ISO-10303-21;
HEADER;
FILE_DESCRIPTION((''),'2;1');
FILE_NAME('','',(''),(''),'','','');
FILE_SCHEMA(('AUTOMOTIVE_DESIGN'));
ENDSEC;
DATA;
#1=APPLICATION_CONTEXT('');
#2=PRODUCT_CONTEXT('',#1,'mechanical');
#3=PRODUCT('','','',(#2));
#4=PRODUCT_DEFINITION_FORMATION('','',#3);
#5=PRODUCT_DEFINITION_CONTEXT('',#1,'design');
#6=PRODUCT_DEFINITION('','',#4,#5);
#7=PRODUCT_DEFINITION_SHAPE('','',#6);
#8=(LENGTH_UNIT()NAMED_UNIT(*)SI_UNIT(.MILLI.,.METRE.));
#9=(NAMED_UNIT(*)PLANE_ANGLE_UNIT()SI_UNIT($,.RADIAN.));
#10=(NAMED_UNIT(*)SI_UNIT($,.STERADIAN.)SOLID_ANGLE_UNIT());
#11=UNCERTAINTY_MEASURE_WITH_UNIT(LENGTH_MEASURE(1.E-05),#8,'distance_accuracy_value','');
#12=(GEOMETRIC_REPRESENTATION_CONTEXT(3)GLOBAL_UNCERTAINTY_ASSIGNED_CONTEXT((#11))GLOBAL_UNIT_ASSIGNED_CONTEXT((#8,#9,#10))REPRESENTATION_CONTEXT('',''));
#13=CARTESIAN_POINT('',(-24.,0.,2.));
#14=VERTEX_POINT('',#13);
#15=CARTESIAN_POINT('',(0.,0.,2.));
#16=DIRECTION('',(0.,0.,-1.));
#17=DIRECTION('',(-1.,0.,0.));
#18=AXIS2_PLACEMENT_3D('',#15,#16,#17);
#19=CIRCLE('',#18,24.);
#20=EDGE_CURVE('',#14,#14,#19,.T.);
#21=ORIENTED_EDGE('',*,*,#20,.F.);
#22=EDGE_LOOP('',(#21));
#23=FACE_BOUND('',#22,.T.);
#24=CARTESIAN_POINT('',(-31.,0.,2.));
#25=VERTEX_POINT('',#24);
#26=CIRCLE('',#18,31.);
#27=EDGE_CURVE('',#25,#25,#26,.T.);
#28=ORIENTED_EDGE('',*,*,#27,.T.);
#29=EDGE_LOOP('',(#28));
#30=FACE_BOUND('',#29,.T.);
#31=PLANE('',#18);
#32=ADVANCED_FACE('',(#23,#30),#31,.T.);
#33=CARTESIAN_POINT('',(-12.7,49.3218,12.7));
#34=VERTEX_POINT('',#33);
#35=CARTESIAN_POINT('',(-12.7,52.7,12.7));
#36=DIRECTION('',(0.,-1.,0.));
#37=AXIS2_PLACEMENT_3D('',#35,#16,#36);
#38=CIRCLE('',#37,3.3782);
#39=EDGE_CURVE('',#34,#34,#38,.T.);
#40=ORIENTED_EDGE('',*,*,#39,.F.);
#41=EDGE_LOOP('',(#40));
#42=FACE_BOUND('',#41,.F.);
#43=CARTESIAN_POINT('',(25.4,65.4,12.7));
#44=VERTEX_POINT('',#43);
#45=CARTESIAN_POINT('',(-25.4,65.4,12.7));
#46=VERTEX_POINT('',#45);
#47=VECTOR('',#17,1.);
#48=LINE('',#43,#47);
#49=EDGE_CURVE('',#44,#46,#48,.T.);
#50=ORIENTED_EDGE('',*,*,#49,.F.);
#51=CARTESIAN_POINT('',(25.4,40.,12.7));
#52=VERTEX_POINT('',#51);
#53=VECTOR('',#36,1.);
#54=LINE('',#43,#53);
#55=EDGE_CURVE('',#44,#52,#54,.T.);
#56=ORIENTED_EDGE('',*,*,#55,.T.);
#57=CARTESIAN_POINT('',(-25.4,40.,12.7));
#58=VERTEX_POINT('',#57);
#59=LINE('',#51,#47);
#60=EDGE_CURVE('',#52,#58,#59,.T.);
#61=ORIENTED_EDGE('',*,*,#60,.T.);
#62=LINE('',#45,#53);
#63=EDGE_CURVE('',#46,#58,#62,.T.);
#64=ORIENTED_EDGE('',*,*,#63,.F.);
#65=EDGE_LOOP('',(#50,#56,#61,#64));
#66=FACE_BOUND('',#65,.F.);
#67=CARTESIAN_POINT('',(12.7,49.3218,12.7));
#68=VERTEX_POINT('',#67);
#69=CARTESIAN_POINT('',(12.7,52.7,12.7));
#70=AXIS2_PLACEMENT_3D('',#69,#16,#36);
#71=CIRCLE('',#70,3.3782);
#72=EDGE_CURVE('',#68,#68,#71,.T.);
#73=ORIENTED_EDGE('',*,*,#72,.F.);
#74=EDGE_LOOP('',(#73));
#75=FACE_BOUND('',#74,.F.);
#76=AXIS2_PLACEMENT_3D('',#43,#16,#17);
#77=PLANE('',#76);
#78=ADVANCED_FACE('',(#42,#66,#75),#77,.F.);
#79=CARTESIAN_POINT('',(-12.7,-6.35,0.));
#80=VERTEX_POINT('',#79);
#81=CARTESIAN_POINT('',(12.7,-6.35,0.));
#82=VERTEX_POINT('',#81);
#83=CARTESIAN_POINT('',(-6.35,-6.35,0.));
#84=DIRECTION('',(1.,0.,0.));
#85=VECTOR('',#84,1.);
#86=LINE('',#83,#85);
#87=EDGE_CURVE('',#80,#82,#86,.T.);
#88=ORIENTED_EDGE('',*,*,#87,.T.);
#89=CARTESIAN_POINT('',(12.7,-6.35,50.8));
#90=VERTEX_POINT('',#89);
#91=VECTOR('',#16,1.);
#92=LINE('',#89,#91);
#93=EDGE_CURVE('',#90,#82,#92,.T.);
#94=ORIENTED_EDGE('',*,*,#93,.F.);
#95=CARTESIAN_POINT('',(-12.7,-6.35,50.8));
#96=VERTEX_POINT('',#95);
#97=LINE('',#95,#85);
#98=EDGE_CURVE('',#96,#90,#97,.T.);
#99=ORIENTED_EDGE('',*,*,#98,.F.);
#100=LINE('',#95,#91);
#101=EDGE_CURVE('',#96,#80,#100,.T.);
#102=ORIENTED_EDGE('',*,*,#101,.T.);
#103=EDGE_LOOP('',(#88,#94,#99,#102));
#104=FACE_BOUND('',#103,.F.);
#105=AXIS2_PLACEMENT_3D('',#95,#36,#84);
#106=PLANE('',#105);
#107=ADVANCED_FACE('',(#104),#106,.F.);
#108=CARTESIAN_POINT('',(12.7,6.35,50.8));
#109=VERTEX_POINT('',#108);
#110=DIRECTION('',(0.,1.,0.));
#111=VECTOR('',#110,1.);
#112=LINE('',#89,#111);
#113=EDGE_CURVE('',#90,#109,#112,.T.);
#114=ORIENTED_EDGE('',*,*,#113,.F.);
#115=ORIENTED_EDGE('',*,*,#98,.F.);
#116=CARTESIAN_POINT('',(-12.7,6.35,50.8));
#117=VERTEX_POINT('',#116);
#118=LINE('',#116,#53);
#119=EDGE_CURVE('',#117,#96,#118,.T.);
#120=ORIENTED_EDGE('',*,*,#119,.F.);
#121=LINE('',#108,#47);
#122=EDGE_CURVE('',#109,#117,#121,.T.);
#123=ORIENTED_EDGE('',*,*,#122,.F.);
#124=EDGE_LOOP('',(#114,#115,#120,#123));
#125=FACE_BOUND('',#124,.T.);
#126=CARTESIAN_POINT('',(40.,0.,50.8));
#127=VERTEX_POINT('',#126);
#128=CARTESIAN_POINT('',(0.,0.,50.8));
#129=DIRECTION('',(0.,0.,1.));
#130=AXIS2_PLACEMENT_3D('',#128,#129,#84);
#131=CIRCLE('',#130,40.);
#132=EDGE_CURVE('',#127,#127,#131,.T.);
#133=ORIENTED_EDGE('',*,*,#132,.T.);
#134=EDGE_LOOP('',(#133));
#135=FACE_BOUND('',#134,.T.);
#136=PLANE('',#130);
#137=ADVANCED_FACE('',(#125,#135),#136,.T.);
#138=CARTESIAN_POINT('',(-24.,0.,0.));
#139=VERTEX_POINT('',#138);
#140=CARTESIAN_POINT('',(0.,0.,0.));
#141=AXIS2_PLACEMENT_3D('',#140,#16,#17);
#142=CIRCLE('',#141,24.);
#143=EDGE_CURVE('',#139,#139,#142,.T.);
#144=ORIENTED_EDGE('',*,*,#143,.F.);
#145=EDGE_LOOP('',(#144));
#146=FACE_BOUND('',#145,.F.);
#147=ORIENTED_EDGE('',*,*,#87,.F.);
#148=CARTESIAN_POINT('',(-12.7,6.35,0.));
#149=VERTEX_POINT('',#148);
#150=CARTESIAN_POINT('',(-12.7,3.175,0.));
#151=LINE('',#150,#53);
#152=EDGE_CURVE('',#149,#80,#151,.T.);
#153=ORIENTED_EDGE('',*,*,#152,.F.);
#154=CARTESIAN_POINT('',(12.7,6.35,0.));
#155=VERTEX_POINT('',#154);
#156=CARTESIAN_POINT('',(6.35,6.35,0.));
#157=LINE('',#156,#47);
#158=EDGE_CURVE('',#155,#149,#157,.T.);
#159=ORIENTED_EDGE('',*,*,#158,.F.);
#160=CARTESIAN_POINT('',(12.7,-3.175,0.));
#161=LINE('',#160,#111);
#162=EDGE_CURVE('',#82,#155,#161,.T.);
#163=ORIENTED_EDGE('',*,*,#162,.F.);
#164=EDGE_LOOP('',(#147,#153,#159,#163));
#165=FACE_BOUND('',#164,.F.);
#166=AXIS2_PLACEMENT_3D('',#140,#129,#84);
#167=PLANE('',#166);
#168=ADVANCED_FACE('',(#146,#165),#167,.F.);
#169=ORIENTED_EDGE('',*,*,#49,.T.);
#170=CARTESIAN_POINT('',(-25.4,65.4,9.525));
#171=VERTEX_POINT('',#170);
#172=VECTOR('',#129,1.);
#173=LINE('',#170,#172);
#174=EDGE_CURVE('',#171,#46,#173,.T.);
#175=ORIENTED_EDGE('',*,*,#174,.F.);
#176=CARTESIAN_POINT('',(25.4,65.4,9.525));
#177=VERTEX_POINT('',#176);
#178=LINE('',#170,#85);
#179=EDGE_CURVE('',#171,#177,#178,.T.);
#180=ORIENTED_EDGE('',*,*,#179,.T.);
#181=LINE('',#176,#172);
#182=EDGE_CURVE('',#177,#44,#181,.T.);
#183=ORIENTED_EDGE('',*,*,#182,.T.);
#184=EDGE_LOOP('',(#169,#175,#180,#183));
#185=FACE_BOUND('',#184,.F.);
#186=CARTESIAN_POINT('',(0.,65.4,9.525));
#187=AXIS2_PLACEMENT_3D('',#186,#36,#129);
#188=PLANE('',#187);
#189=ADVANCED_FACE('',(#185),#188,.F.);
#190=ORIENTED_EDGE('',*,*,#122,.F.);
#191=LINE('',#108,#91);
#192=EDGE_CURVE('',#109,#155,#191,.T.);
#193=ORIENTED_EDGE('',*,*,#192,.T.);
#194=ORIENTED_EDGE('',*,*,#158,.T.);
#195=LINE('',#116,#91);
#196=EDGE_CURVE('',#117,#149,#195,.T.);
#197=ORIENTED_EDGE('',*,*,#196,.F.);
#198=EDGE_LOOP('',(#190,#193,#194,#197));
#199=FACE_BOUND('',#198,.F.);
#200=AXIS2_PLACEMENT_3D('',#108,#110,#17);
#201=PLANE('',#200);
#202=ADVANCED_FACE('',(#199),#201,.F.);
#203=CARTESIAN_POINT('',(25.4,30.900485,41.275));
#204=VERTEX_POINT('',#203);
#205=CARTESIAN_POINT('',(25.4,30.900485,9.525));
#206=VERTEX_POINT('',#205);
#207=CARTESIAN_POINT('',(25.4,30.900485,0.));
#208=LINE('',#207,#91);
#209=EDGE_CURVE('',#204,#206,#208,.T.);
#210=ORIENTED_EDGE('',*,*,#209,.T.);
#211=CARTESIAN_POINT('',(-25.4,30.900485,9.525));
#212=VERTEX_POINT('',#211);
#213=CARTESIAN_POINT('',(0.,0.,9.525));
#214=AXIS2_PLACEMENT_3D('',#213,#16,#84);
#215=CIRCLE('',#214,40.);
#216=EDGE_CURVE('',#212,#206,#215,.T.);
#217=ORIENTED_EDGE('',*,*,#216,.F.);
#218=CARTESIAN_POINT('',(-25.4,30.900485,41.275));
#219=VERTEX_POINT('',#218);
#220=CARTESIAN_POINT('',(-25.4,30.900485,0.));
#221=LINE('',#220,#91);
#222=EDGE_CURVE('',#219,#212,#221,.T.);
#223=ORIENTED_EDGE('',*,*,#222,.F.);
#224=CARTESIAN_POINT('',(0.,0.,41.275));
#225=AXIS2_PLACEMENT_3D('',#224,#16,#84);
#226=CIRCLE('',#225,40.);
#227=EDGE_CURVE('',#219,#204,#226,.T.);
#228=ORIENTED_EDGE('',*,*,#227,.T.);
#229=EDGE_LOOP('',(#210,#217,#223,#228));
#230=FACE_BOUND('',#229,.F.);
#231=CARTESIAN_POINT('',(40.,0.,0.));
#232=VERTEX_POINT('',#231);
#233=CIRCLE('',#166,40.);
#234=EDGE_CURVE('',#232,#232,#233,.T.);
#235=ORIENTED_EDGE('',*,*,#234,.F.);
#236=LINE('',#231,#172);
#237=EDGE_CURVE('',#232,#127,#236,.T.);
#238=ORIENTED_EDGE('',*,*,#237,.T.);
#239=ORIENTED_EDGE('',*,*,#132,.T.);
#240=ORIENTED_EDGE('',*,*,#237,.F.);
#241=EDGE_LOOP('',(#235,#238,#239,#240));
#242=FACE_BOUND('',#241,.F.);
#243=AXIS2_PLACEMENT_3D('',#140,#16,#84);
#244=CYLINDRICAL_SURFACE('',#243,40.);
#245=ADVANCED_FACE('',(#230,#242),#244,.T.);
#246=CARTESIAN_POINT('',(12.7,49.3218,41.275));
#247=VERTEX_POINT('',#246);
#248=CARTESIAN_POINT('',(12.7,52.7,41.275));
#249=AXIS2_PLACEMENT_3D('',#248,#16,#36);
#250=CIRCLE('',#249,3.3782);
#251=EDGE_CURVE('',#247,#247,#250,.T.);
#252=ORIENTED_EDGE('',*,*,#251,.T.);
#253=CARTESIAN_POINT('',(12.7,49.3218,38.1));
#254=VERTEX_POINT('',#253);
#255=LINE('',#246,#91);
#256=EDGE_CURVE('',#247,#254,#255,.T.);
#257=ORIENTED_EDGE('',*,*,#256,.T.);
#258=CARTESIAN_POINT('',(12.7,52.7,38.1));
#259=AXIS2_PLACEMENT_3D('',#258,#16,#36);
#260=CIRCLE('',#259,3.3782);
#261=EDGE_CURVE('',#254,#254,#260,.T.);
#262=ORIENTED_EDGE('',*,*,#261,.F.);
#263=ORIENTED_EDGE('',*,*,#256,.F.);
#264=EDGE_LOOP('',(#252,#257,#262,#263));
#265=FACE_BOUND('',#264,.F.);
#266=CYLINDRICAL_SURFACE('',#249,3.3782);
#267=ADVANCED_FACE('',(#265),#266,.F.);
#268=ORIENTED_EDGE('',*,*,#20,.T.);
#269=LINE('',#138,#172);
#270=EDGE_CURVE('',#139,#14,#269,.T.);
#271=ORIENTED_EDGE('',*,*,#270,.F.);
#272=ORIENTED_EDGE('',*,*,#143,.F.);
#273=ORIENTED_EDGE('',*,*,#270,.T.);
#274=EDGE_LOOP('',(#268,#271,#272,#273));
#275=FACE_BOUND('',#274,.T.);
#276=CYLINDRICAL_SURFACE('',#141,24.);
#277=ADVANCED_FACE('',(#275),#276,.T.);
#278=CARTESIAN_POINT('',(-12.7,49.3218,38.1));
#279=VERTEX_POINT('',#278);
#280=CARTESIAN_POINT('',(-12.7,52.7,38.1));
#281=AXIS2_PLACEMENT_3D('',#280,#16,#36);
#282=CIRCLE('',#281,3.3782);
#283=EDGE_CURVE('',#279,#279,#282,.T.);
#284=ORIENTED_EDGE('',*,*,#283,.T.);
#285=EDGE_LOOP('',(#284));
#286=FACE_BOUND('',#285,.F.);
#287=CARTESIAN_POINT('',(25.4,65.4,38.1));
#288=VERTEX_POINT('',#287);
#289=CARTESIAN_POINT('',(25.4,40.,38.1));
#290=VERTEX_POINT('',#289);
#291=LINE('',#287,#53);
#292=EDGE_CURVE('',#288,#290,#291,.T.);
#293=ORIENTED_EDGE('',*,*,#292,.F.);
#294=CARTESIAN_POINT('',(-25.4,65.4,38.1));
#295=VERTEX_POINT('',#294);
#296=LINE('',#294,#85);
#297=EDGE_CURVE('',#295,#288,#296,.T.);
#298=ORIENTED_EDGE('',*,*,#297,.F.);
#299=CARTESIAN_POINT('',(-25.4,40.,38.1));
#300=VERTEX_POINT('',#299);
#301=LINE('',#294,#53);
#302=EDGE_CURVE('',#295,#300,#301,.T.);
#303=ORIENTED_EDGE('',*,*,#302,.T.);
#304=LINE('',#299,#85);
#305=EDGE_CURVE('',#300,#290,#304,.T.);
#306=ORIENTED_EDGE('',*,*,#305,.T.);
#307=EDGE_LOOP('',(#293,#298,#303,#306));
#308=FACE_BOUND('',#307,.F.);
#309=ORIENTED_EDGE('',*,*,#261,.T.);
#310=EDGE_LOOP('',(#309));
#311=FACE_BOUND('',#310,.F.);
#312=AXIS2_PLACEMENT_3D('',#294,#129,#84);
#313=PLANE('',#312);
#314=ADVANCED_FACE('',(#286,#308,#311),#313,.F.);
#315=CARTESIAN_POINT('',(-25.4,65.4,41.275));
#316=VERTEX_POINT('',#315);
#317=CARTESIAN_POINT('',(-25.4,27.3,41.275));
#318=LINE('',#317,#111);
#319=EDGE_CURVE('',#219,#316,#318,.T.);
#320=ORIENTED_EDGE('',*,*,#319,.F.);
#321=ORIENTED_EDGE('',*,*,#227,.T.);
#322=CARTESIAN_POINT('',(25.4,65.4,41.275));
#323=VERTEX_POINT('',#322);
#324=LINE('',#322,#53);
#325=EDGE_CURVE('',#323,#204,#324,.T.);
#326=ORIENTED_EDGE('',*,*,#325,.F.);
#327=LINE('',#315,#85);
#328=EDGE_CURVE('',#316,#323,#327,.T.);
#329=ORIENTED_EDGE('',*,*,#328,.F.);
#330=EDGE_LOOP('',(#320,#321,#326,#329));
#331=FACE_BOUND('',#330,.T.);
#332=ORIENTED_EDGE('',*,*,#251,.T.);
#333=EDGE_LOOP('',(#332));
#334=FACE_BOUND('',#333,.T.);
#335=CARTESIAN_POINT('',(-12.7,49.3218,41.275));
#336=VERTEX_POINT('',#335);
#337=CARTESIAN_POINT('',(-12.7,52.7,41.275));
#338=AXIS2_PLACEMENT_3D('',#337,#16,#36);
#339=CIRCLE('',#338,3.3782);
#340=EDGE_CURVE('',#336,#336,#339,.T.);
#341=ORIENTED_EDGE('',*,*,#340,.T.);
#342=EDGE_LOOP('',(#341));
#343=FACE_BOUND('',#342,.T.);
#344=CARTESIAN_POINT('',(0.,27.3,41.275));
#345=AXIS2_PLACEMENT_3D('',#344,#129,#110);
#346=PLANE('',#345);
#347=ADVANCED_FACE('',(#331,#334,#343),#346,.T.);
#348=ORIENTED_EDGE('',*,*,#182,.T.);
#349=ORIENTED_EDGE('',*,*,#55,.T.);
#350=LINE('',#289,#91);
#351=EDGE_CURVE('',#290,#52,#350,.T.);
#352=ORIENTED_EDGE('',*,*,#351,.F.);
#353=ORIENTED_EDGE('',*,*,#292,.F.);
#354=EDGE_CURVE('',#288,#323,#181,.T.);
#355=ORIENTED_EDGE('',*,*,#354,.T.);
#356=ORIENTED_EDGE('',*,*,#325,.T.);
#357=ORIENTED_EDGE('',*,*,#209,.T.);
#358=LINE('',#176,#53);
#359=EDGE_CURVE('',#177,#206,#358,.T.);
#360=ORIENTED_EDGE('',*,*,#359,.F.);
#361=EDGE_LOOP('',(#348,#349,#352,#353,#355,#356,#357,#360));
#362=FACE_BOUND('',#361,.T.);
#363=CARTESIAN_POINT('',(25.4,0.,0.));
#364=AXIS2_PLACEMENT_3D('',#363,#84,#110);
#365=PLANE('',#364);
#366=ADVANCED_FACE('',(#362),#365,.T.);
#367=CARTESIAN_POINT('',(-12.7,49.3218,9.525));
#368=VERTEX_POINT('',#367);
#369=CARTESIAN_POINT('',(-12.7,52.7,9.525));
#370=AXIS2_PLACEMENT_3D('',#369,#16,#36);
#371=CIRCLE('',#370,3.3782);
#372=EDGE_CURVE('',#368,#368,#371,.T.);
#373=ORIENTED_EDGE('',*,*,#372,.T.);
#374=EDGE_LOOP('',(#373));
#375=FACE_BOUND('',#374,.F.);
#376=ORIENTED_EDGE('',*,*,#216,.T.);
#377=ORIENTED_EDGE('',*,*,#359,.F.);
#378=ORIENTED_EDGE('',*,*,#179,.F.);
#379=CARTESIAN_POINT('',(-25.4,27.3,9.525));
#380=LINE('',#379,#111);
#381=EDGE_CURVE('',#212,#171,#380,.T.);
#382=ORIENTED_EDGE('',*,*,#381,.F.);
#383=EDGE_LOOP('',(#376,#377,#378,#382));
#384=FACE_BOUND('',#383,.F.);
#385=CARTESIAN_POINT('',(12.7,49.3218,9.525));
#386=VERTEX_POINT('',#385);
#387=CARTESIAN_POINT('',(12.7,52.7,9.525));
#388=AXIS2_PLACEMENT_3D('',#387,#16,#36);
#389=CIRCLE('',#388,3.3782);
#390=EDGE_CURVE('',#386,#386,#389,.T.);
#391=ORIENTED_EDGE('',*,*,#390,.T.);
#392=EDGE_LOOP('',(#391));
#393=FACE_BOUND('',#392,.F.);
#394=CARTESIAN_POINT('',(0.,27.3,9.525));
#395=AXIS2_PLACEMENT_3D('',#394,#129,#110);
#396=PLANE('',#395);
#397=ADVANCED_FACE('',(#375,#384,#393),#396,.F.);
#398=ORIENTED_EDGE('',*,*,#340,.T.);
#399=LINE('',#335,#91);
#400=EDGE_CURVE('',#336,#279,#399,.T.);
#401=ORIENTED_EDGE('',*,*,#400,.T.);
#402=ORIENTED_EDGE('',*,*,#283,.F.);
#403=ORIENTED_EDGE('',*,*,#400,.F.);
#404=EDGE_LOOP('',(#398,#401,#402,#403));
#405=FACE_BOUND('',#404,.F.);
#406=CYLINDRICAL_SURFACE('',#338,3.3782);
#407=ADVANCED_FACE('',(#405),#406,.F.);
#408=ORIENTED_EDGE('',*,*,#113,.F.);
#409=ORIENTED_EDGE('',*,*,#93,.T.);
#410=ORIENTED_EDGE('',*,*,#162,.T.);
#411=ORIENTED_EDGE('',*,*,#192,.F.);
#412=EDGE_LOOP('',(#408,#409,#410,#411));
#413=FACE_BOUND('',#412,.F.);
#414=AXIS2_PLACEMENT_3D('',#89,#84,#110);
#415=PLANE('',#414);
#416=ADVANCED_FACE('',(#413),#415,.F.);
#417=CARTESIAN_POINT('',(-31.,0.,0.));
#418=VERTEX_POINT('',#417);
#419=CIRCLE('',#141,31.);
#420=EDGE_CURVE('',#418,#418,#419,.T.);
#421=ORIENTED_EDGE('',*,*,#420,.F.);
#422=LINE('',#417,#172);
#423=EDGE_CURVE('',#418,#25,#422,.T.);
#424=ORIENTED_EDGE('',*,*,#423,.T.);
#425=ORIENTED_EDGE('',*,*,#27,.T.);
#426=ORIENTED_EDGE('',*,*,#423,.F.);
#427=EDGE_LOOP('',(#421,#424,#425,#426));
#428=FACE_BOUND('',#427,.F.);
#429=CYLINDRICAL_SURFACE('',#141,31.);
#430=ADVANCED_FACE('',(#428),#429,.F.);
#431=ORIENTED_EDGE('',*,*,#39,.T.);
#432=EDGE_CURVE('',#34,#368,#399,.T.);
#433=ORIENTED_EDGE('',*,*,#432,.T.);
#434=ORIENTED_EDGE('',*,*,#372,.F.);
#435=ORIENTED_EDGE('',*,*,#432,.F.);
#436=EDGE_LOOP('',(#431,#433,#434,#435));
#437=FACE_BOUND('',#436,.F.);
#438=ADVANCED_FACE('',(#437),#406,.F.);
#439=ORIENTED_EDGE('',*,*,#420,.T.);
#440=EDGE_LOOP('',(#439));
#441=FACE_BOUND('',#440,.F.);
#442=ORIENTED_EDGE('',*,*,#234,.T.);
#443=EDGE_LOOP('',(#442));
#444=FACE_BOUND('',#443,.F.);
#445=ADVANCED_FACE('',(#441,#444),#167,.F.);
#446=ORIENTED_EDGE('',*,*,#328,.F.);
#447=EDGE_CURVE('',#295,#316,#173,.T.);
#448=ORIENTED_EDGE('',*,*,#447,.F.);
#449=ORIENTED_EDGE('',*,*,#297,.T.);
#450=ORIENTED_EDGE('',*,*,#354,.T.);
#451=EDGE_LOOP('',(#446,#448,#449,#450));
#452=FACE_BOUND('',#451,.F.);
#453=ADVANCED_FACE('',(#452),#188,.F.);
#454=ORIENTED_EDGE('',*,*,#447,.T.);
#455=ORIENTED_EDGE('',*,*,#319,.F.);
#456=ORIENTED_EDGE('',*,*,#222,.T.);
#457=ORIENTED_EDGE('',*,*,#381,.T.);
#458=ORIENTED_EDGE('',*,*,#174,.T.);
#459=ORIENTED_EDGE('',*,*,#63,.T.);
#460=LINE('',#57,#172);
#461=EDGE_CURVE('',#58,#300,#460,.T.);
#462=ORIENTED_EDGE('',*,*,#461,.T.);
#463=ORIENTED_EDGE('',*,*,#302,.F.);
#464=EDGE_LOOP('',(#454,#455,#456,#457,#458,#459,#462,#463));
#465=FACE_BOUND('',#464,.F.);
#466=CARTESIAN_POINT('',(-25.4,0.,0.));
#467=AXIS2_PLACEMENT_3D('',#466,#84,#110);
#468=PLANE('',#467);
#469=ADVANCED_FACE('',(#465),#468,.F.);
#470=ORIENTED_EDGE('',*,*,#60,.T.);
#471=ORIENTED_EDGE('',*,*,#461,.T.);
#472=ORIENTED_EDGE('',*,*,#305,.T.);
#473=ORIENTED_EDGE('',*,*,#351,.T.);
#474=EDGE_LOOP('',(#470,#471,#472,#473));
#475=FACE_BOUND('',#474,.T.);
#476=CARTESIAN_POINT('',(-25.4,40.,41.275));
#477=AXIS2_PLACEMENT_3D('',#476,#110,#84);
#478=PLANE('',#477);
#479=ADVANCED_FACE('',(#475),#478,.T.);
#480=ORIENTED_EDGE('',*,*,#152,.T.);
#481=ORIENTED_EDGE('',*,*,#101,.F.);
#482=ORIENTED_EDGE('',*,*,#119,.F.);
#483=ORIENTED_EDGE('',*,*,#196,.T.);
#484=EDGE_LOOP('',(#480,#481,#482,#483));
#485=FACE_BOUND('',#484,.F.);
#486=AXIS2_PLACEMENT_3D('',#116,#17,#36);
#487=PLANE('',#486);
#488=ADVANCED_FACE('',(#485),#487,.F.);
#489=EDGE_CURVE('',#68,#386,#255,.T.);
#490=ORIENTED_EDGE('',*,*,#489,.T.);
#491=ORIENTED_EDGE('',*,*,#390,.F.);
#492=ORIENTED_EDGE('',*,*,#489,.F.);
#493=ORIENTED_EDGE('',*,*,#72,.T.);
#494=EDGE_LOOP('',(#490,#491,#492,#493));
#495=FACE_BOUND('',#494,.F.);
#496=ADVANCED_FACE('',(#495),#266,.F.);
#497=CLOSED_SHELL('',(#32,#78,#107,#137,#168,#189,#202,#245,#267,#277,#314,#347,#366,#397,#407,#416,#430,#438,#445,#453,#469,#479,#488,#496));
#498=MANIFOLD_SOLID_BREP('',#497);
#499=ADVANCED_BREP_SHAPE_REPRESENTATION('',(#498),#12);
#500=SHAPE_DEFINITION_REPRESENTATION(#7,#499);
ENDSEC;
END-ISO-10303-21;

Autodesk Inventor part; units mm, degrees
ref_plane "XZ Plane" through (0, 0, 0) normal (0, 1, 0) x (-1, 0, 0)
ref_plane "XY Plane" through (0, 0, 0) normal (0, 0, 1) x (1, 0, 0)
sketch "Sketch1" plane through (0, 0, 0) normal (0, 0, 1) x (1, 0, 0)
  circle A0 centre (0, 0) radius 40
  dimension "d0" = 80
extrude "Extrusion1" add sketch "Sketch1" along normal blind 50.8
sketch "Sketch2" plane through (0, 0, 0) normal (0, 0, -1) x (-1, 0, 0)
  circle A0 centre (0, 0) radius 31
  circle A1 centre (0, 0) radius 24
  dimension "d3" = 62
  dimension "d4" = 48
extrude "Extrusion2" cut sketch "Sketch2" against normal blind 2
sketch "Sketch3" plane through (0, 0, 0) normal (0, 0, -1) x (-1, 0, 0)
  circle A0 centre (0, 0) radius 3.175
  dimension "d25" = 6.35
extrude "Extrusion3" cut sketch "Sketch3" against normal through all
sketch "Sketch4" plane through (0, 0, 50.8) normal (0, 0, 1) x (1, 0, 0)
  line L0 (-12.7, -6.35) -> (12.7, -6.35)
  line L1 (12.7, -6.35) -> (12.7, 6.35)
  line L2 (12.7, 6.35) -> (-12.7, 6.35)
  line L3 (-12.7, 6.35) -> (-12.7, -6.35)
  line L4 (-12.7, -6.35) -> (12.7, 6.35) construction
  line L5 (12.7, -6.35) -> (-12.7, 6.35) construction
  point P0 (0, 0)
  dimension "d28" = 25.4
  dimension "d29" = 12.7
extrude "Extrusion4" cut sketch "Sketch4" against normal through all
sketch "Sketch6" plane through (0, 0, 0) normal (1, 0, 0) x (0, 1, 0)
  line L0 (40, 0) -> (40, 50.8) construction
  line L1 (40, 25.4) -> (-40, 25.4) construction
  line L2 (-40, 0) -> (-40, 50.8) construction
  line L3 (40, 9.525) -> (65.4, 9.525)
  line L4 (65.4, 9.525) -> (65.4, 25.4)
  line L5 (40, 25.4) -> (27.3, 25.4)
  line L6 (27.3, 9.525) -> (40, 9.525)
  line L7 (27.3, 25.4) -> (27.3, 9.525)
  line L8 (40, 41.275) -> (65.4, 41.275)
  line L9 (65.4, 41.275) -> (65.4, 25.4)
  line L10 (27.3, 41.275) -> (40, 41.275)
  line L11 (27.3, 25.4) -> (27.3, 41.275)
  point P0 (0, 0)
  dimension "d34" = 25.4
  dimension "d35" = 12.7
  dimension "d36" = 15.875
extrude "Extrusion5" add sketch "Sketch6" along normal mid plane 50.8
sketch "Sketch8" plane through (-25.4, 65.4, 41.275) normal (0, 1, 0) x (1, 0, 0)
  line L0 (0, 31.75) -> (50.8, 31.75) projected
  line L1 (0, 3.175) -> (50.8, 3.175)
  line L2 (50.8, 3.175) -> (50.8, 28.575)
  line L3 (50.8, 28.575) -> (0, 28.575)
  line L4 (0, 28.575) -> (0, 3.175)
  line L5 (0, 3.175) -> (50.8, 28.575) construction
  line L6 (50.8, 3.175) -> (0, 28.575) construction
  point P0 (25.4, 41.275)
  point P1 (25.4, 15.875)
  dimension "d43" = 15.875
  dimension "d44" = 25.4
extrude "Extrusion7" cut sketch "Sketch8" against normal blind 25.4
sketch "Sketch9" plane through (0, 0, 41.275) normal (0, 0, 1) x (1, 0, 0)
  line L0 (-25.4, 65.4) -> (25.4, 65.4) projected
  line L1 (0, 86.48) -> (0, -61.08) projected
  point P0 (0, 0)
  point P1 (-12.7, 52.7)
  point P2 (12.7, 52.7)
  dimension "d47" = 12.7
  dimension "d48" = 12.7
  dimension "d49" = 12.7
  dimension "d50" = 12.7
hole "Hole1" at (-12.7, 52.7, 41.275) at (12.7, 52.7, 41.275) direction (0, 0, -1) diameter 6.7564 end through all clearance for "Hex Machine Screw" size "1/4" standard "Ansi Unified Screw Threads"
equation "\"d0\" = mountOuterDiameter"
equation "\"d3\" = ringOuterDiam + ringDiamGap"
equation "\"d4\" = ringInnerDiam - ringDiamGap"
equation "\"ringOuterDiam\" = 60"
equation "\"ringInnerDiam\" = 50"
equation "\"ringThickness\" = 1.5"
equation "\"ringDiamGap\" = 2"
equation "\"mountOuterDiameter\" = 80"
properties part number "MountV05"
